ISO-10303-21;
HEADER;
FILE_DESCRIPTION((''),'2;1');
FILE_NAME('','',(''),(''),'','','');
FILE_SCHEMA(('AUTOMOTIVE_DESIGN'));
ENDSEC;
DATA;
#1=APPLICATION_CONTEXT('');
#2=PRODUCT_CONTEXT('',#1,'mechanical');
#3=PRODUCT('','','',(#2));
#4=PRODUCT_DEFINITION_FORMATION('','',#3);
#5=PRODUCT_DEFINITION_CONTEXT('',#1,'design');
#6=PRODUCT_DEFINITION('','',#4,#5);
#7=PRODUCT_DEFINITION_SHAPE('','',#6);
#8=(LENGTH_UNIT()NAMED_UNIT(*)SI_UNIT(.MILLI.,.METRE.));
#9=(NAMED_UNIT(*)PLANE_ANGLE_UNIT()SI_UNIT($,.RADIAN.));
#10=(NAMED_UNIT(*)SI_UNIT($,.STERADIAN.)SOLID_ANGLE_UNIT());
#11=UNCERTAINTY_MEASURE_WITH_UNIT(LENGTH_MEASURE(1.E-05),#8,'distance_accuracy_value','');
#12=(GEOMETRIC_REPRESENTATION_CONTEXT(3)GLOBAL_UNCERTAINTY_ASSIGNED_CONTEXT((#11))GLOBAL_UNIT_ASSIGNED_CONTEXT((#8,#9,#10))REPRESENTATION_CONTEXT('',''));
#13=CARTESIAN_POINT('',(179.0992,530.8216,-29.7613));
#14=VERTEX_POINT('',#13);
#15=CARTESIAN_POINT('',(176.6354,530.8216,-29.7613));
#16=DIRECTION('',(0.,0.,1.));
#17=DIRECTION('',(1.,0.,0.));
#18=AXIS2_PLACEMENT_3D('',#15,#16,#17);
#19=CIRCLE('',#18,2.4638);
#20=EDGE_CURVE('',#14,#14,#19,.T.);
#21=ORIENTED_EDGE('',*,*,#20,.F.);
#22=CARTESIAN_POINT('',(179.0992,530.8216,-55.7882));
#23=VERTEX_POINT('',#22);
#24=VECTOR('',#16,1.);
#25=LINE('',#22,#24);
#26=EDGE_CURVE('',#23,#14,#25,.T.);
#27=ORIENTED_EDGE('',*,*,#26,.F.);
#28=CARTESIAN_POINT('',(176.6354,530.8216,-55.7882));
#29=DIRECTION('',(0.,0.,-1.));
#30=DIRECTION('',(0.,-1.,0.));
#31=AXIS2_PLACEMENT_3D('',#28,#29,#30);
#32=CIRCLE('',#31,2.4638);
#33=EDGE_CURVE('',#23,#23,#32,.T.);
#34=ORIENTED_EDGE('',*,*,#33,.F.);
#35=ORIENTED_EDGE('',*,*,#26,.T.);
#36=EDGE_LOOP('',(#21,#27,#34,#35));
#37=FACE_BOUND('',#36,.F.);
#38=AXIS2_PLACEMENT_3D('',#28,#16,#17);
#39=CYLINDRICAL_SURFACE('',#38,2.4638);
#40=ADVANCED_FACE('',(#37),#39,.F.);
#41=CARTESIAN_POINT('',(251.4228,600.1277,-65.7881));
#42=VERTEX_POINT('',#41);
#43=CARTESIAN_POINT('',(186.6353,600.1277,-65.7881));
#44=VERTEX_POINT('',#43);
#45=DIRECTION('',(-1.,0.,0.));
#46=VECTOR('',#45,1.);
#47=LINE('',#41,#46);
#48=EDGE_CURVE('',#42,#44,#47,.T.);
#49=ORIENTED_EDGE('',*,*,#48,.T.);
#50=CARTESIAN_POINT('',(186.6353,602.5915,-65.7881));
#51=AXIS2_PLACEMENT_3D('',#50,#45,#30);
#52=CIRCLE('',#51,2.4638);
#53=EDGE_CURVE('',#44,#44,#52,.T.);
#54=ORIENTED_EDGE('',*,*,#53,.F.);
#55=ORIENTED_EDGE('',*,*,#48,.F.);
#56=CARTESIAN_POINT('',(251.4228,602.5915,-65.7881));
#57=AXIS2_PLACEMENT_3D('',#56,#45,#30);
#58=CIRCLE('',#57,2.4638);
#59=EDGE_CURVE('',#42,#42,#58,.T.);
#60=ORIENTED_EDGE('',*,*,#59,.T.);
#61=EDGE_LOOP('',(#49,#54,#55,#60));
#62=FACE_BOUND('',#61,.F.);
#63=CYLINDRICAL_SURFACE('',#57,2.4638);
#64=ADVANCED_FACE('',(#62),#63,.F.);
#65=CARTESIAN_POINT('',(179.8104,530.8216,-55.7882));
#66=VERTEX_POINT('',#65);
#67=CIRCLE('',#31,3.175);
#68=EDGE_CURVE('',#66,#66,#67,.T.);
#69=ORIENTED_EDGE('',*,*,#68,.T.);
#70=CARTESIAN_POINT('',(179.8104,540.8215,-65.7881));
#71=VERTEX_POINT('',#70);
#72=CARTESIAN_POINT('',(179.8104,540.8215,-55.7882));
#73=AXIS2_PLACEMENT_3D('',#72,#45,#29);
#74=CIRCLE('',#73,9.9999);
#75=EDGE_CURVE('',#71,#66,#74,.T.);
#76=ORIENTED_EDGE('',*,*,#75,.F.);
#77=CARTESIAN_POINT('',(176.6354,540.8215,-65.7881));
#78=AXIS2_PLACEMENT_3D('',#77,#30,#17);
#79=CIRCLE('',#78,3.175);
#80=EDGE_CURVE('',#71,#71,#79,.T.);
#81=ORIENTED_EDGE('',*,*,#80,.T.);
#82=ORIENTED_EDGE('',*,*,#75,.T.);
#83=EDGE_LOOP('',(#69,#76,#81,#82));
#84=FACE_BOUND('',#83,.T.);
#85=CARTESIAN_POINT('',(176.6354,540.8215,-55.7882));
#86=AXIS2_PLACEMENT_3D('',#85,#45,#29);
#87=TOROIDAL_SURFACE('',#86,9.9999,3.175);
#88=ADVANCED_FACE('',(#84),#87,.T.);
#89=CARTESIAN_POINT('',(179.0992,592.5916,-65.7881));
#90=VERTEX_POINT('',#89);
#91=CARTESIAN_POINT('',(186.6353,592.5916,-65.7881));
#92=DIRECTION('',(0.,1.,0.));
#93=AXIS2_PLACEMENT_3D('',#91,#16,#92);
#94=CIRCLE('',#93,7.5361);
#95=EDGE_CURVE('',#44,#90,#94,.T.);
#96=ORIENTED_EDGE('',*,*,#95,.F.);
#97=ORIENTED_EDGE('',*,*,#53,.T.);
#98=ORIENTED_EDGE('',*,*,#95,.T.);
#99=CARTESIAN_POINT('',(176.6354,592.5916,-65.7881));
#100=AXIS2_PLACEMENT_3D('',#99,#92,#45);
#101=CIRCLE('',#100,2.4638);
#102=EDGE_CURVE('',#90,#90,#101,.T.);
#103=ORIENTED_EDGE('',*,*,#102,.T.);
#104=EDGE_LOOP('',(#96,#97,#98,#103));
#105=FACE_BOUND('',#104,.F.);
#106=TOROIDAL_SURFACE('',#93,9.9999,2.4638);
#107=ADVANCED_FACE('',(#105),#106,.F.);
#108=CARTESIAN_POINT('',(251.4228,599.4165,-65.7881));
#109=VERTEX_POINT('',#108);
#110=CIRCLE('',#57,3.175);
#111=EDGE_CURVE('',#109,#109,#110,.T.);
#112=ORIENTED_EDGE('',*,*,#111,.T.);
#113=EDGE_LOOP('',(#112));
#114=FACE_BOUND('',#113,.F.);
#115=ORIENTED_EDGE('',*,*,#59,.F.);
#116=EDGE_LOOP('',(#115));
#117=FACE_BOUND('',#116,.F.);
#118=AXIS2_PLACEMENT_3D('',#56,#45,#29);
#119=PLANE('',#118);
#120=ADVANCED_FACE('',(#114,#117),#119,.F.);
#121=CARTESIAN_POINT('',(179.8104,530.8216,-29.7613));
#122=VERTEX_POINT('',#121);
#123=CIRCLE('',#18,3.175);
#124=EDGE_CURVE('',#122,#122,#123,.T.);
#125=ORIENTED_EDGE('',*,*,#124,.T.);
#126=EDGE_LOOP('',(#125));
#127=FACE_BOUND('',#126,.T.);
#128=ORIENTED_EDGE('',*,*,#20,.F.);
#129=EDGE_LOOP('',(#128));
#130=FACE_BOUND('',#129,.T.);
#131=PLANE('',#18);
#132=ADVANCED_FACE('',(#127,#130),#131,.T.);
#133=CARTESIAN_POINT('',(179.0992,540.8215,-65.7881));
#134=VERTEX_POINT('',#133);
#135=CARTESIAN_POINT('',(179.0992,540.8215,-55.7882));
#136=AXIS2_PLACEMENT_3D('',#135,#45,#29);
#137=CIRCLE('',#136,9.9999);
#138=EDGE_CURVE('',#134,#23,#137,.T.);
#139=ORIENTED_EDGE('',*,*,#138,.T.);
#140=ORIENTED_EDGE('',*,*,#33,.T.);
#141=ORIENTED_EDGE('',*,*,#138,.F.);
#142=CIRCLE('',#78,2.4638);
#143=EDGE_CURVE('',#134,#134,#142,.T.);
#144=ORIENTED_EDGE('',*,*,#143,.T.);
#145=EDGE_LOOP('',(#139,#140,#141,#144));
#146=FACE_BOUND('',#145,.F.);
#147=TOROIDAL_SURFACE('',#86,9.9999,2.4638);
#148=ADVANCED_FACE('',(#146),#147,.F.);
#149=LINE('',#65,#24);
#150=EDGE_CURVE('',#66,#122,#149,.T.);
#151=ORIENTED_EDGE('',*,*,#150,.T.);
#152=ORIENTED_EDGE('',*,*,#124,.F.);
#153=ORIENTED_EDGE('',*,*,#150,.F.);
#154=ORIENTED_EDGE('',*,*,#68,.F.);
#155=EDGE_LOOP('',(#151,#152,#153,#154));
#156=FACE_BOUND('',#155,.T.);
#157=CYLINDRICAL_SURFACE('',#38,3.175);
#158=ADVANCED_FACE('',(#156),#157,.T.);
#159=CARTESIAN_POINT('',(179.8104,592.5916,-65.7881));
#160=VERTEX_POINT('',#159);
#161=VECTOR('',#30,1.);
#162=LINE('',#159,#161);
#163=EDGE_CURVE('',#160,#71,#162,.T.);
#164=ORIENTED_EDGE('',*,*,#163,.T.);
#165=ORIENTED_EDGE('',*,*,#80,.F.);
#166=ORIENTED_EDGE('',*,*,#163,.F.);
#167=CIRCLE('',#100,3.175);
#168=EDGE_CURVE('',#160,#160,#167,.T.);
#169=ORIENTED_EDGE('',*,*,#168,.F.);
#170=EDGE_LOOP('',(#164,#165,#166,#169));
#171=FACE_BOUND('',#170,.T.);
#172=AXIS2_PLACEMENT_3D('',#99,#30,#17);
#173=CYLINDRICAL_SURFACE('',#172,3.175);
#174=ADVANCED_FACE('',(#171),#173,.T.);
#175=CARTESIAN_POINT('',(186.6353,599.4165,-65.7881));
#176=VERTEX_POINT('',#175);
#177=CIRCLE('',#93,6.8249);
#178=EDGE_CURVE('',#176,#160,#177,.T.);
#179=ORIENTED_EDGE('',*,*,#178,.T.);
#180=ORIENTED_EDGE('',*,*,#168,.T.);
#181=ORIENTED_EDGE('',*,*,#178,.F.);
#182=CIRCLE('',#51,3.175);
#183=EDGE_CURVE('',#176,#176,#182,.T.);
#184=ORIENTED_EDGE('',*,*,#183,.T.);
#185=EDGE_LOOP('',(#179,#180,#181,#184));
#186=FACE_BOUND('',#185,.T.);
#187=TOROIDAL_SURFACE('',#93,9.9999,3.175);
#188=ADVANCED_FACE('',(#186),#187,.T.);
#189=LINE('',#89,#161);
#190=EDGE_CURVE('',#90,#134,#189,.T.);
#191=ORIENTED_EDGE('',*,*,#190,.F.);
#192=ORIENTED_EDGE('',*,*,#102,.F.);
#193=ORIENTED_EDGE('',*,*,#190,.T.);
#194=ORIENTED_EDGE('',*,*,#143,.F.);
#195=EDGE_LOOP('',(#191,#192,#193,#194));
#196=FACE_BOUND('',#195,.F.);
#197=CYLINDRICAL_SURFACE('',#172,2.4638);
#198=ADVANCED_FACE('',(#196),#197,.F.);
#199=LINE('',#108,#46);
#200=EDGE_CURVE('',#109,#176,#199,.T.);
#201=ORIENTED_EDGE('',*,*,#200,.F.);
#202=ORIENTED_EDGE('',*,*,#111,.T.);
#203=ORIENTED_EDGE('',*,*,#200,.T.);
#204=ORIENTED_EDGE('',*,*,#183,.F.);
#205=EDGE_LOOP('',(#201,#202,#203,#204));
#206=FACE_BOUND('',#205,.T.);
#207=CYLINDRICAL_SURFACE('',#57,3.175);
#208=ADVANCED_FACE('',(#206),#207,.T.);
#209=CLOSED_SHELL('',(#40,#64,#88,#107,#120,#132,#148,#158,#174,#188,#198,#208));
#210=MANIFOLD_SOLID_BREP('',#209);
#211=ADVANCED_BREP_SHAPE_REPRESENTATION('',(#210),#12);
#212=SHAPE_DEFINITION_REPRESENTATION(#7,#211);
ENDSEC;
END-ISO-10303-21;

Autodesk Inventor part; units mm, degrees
ref_plane "YZ Plane" through (0, 0, 0) normal (1, 0, 0) x (0, 1, 0)
ref_plane "XZ Plane" through (0, 0, 0) normal (0, 1, 0) x (-1, 0, 0)
ref_plane "Work Plane3" through (251.4228, 602.5915, -65.7881) normal (-1, 0, 0) x (0, -1, 0)
sketch "Sketch3" plane through (251.4228, 602.5915, -65.7881) normal (-1, 0, 0) x (0, -1, 0)
  circle A0 centre (0, 0) radius 3.175
  circle A1 centre (0, 0) radius 2.4638
sketch3d "3D Sketch1"
  line L0 (251.4228, 602.5915, -65.7881) -> (186.6353, 602.5915, -65.7881)
  arc A0 (186.6353, 602.5915, -65.7881) -> (176.6354, 592.5916, -65.7881) centre (186.6353, 592.5916, -65.7881) ccw
  line L1 (176.6354, 592.5916, -65.7881) -> (176.6354, 540.8215, -65.7881)
  arc A1 (176.6354, 540.8215, -65.7881) -> (176.6354, 530.8216, -55.7882) centre (176.6354, 540.8215, -55.7882) ccw
  line L2 (176.6354, 530.8216, -55.7882) -> (176.6354, 530.8216, -29.7613)
  dimension "d6" = 9.9999
  dimension "d7" = 9.9999
sweep "Sweep1" add profiles "Sketch3" path "3D Sketch1"
equation "\"OD\" = 6.35"
equation "\"t\" = 0.7112"
equation "\"L\" = PL"
equation "\"ID\" = 4.9276"
equation "\"PL\" = 173.99"
equation "\"D\" = 15.24"
equation "\"Size_Designation\" = 1.2345"
properties material "Stainless Steel"
